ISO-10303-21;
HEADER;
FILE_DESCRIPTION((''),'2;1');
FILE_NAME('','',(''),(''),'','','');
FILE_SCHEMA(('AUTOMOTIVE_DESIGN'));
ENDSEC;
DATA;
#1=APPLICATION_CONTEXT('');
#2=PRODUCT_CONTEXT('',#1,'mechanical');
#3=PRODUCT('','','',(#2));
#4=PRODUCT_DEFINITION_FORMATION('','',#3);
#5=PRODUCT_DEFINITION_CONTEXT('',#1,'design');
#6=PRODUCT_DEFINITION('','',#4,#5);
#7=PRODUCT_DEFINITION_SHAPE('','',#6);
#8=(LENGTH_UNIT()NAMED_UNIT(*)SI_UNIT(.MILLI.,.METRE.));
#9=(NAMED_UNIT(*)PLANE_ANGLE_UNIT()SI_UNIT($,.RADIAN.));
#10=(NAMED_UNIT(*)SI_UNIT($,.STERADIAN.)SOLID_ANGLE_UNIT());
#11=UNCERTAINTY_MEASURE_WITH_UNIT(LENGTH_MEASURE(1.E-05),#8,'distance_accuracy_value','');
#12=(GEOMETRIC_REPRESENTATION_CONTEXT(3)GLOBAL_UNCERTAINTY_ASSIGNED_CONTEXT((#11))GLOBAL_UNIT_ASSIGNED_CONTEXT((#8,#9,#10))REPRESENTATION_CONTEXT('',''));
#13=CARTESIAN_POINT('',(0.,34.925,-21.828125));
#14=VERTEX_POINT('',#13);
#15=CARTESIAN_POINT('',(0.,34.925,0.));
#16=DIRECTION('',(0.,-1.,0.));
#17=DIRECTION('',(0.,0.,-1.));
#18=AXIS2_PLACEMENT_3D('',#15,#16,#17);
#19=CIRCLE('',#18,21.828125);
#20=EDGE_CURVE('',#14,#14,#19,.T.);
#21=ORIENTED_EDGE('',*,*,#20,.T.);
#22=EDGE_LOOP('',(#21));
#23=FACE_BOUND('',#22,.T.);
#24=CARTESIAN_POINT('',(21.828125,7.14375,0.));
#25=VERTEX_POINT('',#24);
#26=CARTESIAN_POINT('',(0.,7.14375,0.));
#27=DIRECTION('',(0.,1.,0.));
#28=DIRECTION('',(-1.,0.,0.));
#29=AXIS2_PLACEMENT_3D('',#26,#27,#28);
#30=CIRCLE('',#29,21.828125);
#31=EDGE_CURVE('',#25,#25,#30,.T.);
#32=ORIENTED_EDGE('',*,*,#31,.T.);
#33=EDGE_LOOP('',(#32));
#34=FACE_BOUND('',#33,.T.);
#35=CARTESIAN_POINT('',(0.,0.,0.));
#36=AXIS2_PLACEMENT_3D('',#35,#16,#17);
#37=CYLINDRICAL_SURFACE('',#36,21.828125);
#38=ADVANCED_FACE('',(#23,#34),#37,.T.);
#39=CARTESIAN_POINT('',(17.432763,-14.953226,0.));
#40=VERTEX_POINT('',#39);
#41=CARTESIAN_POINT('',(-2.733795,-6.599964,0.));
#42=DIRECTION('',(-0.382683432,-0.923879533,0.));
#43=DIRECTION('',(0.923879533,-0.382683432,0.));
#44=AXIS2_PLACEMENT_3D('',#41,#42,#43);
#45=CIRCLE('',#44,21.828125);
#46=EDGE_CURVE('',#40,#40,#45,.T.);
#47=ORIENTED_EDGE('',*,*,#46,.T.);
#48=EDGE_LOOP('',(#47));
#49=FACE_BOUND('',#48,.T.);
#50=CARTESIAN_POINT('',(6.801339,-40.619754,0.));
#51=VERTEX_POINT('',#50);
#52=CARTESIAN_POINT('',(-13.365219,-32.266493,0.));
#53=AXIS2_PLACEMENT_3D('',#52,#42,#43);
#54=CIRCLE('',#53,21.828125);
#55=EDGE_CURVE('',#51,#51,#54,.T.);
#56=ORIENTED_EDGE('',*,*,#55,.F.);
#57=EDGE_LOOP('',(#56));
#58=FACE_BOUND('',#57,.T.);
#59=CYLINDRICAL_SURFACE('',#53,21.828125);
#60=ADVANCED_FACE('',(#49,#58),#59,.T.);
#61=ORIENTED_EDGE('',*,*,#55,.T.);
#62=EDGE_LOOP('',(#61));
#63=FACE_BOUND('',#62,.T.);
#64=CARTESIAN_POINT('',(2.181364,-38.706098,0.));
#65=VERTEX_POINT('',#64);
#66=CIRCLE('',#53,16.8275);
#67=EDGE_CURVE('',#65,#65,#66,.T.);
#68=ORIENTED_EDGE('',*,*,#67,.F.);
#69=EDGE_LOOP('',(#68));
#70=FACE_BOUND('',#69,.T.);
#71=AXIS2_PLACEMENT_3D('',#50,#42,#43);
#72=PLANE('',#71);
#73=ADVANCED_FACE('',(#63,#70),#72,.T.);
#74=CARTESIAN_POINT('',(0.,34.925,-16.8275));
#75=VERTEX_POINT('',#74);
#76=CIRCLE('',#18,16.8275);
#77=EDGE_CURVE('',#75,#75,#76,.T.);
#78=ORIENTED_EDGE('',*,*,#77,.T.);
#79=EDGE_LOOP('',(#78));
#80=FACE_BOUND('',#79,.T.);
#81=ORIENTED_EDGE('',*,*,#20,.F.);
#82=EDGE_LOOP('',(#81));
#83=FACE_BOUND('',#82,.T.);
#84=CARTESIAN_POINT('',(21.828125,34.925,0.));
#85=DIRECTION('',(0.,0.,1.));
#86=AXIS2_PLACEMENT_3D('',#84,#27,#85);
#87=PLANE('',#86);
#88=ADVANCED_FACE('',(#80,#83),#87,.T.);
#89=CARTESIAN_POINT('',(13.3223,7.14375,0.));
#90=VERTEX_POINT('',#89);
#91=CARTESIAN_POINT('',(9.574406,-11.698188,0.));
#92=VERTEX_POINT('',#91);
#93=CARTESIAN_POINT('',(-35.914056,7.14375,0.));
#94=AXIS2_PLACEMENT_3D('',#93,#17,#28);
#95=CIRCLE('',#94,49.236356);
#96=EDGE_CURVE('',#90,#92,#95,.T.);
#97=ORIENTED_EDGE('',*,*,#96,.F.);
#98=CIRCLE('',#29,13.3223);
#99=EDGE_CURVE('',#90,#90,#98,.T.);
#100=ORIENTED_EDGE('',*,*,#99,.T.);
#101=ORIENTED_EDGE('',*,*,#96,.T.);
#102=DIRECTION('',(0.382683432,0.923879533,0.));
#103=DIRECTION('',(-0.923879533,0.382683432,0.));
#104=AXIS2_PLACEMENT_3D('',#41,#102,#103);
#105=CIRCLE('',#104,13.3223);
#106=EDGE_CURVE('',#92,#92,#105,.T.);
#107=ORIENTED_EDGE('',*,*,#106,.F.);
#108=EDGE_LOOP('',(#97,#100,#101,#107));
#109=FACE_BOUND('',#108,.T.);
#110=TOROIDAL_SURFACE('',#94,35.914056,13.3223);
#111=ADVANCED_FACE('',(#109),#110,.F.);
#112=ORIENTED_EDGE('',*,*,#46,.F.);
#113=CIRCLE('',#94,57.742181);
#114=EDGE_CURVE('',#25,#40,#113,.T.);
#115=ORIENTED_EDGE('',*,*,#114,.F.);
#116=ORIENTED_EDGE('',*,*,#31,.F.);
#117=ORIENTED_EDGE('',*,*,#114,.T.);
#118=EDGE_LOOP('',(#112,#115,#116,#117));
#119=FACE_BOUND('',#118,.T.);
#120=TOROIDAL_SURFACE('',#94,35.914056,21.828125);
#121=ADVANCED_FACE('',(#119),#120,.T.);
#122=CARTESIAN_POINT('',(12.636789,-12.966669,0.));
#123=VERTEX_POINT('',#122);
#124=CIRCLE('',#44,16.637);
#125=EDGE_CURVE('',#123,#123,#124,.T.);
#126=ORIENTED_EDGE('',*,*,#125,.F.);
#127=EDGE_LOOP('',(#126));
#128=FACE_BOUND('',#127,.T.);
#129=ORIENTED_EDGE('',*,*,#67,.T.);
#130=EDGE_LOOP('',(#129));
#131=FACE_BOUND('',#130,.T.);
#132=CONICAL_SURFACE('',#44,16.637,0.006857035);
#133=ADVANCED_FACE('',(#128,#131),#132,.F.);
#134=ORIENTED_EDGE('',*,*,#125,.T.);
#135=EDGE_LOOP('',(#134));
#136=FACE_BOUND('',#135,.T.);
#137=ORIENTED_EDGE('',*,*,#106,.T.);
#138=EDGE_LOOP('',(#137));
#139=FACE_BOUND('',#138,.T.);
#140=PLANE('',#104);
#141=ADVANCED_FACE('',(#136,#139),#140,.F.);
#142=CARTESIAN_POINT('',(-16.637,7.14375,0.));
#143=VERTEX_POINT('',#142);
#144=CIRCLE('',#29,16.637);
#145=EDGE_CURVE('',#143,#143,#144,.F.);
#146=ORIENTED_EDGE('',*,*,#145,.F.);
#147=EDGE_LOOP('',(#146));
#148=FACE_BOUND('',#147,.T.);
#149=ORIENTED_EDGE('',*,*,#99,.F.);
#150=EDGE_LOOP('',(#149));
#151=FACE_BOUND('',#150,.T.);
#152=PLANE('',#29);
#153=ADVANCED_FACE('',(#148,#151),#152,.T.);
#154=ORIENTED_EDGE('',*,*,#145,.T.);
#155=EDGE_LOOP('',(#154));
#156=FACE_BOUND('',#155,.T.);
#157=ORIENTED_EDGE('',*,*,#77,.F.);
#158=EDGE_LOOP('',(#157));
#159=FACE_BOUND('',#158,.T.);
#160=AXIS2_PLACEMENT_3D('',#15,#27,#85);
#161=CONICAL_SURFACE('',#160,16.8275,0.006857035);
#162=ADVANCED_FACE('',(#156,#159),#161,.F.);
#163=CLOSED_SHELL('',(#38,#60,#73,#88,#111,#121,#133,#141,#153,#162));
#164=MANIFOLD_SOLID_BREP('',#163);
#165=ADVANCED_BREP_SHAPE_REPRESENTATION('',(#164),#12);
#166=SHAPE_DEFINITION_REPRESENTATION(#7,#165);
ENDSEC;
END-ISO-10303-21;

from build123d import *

# Parameters (mm, degrees)
SKETCH3_R   = 21.828125
SKETCH3_R_2 = 13.3223


with BuildPart() as part:
    # Sketch1 → Revolve1 (revolve)
    with BuildSketch(Plane.XY):
        Polygon((6.801339045, -40.61975447), (17.432763151, -14.953226207), (12.636789012, -12.966668675), (2.181363958, -38.706098131), align=None)
    revolve(axis=Axis((-13.365218875, -32.266492673, 0), (0.382683432, 0.923879533, 0)))



with BuildPart() as body_2:
    # Sketch2 → Revolve2 (revolve)
    with BuildSketch(Plane.XY):
        Polygon((16.8275, 34.925), (16.637, 7.14375), (21.828125, 7.14375), (21.828125, 34.925), align=None)
    revolve(axis=Axis((0, 0, 0), (0, 1, 0)))


with BuildPart() as part_1:
    add(part.part)

    add(body_2.part)  # Sweep1 merges body 2
    # Sweep1: sweep along a path in Sketch4
    with BuildLine(Plane.XY) as sweep1_path:
        ThreePointArc((-2.73379477, -6.59996441), (-0.690078525, 0.137265153), (0, 7.14375))
    # Sketch3 → Sweep1 (sweep)
    with BuildSketch(Plane(origin=(-2.73379477, -6.59996441, 0), x_dir=(0, 0, -1), z_dir=(0.382683432, 0.923879533, 0))):
        Circle(SKETCH3_R)
        Circle(SKETCH3_R_2, mode=Mode.SUBTRACT)
    sweep(path=sweep1_path.line)


solid = part_1.part
